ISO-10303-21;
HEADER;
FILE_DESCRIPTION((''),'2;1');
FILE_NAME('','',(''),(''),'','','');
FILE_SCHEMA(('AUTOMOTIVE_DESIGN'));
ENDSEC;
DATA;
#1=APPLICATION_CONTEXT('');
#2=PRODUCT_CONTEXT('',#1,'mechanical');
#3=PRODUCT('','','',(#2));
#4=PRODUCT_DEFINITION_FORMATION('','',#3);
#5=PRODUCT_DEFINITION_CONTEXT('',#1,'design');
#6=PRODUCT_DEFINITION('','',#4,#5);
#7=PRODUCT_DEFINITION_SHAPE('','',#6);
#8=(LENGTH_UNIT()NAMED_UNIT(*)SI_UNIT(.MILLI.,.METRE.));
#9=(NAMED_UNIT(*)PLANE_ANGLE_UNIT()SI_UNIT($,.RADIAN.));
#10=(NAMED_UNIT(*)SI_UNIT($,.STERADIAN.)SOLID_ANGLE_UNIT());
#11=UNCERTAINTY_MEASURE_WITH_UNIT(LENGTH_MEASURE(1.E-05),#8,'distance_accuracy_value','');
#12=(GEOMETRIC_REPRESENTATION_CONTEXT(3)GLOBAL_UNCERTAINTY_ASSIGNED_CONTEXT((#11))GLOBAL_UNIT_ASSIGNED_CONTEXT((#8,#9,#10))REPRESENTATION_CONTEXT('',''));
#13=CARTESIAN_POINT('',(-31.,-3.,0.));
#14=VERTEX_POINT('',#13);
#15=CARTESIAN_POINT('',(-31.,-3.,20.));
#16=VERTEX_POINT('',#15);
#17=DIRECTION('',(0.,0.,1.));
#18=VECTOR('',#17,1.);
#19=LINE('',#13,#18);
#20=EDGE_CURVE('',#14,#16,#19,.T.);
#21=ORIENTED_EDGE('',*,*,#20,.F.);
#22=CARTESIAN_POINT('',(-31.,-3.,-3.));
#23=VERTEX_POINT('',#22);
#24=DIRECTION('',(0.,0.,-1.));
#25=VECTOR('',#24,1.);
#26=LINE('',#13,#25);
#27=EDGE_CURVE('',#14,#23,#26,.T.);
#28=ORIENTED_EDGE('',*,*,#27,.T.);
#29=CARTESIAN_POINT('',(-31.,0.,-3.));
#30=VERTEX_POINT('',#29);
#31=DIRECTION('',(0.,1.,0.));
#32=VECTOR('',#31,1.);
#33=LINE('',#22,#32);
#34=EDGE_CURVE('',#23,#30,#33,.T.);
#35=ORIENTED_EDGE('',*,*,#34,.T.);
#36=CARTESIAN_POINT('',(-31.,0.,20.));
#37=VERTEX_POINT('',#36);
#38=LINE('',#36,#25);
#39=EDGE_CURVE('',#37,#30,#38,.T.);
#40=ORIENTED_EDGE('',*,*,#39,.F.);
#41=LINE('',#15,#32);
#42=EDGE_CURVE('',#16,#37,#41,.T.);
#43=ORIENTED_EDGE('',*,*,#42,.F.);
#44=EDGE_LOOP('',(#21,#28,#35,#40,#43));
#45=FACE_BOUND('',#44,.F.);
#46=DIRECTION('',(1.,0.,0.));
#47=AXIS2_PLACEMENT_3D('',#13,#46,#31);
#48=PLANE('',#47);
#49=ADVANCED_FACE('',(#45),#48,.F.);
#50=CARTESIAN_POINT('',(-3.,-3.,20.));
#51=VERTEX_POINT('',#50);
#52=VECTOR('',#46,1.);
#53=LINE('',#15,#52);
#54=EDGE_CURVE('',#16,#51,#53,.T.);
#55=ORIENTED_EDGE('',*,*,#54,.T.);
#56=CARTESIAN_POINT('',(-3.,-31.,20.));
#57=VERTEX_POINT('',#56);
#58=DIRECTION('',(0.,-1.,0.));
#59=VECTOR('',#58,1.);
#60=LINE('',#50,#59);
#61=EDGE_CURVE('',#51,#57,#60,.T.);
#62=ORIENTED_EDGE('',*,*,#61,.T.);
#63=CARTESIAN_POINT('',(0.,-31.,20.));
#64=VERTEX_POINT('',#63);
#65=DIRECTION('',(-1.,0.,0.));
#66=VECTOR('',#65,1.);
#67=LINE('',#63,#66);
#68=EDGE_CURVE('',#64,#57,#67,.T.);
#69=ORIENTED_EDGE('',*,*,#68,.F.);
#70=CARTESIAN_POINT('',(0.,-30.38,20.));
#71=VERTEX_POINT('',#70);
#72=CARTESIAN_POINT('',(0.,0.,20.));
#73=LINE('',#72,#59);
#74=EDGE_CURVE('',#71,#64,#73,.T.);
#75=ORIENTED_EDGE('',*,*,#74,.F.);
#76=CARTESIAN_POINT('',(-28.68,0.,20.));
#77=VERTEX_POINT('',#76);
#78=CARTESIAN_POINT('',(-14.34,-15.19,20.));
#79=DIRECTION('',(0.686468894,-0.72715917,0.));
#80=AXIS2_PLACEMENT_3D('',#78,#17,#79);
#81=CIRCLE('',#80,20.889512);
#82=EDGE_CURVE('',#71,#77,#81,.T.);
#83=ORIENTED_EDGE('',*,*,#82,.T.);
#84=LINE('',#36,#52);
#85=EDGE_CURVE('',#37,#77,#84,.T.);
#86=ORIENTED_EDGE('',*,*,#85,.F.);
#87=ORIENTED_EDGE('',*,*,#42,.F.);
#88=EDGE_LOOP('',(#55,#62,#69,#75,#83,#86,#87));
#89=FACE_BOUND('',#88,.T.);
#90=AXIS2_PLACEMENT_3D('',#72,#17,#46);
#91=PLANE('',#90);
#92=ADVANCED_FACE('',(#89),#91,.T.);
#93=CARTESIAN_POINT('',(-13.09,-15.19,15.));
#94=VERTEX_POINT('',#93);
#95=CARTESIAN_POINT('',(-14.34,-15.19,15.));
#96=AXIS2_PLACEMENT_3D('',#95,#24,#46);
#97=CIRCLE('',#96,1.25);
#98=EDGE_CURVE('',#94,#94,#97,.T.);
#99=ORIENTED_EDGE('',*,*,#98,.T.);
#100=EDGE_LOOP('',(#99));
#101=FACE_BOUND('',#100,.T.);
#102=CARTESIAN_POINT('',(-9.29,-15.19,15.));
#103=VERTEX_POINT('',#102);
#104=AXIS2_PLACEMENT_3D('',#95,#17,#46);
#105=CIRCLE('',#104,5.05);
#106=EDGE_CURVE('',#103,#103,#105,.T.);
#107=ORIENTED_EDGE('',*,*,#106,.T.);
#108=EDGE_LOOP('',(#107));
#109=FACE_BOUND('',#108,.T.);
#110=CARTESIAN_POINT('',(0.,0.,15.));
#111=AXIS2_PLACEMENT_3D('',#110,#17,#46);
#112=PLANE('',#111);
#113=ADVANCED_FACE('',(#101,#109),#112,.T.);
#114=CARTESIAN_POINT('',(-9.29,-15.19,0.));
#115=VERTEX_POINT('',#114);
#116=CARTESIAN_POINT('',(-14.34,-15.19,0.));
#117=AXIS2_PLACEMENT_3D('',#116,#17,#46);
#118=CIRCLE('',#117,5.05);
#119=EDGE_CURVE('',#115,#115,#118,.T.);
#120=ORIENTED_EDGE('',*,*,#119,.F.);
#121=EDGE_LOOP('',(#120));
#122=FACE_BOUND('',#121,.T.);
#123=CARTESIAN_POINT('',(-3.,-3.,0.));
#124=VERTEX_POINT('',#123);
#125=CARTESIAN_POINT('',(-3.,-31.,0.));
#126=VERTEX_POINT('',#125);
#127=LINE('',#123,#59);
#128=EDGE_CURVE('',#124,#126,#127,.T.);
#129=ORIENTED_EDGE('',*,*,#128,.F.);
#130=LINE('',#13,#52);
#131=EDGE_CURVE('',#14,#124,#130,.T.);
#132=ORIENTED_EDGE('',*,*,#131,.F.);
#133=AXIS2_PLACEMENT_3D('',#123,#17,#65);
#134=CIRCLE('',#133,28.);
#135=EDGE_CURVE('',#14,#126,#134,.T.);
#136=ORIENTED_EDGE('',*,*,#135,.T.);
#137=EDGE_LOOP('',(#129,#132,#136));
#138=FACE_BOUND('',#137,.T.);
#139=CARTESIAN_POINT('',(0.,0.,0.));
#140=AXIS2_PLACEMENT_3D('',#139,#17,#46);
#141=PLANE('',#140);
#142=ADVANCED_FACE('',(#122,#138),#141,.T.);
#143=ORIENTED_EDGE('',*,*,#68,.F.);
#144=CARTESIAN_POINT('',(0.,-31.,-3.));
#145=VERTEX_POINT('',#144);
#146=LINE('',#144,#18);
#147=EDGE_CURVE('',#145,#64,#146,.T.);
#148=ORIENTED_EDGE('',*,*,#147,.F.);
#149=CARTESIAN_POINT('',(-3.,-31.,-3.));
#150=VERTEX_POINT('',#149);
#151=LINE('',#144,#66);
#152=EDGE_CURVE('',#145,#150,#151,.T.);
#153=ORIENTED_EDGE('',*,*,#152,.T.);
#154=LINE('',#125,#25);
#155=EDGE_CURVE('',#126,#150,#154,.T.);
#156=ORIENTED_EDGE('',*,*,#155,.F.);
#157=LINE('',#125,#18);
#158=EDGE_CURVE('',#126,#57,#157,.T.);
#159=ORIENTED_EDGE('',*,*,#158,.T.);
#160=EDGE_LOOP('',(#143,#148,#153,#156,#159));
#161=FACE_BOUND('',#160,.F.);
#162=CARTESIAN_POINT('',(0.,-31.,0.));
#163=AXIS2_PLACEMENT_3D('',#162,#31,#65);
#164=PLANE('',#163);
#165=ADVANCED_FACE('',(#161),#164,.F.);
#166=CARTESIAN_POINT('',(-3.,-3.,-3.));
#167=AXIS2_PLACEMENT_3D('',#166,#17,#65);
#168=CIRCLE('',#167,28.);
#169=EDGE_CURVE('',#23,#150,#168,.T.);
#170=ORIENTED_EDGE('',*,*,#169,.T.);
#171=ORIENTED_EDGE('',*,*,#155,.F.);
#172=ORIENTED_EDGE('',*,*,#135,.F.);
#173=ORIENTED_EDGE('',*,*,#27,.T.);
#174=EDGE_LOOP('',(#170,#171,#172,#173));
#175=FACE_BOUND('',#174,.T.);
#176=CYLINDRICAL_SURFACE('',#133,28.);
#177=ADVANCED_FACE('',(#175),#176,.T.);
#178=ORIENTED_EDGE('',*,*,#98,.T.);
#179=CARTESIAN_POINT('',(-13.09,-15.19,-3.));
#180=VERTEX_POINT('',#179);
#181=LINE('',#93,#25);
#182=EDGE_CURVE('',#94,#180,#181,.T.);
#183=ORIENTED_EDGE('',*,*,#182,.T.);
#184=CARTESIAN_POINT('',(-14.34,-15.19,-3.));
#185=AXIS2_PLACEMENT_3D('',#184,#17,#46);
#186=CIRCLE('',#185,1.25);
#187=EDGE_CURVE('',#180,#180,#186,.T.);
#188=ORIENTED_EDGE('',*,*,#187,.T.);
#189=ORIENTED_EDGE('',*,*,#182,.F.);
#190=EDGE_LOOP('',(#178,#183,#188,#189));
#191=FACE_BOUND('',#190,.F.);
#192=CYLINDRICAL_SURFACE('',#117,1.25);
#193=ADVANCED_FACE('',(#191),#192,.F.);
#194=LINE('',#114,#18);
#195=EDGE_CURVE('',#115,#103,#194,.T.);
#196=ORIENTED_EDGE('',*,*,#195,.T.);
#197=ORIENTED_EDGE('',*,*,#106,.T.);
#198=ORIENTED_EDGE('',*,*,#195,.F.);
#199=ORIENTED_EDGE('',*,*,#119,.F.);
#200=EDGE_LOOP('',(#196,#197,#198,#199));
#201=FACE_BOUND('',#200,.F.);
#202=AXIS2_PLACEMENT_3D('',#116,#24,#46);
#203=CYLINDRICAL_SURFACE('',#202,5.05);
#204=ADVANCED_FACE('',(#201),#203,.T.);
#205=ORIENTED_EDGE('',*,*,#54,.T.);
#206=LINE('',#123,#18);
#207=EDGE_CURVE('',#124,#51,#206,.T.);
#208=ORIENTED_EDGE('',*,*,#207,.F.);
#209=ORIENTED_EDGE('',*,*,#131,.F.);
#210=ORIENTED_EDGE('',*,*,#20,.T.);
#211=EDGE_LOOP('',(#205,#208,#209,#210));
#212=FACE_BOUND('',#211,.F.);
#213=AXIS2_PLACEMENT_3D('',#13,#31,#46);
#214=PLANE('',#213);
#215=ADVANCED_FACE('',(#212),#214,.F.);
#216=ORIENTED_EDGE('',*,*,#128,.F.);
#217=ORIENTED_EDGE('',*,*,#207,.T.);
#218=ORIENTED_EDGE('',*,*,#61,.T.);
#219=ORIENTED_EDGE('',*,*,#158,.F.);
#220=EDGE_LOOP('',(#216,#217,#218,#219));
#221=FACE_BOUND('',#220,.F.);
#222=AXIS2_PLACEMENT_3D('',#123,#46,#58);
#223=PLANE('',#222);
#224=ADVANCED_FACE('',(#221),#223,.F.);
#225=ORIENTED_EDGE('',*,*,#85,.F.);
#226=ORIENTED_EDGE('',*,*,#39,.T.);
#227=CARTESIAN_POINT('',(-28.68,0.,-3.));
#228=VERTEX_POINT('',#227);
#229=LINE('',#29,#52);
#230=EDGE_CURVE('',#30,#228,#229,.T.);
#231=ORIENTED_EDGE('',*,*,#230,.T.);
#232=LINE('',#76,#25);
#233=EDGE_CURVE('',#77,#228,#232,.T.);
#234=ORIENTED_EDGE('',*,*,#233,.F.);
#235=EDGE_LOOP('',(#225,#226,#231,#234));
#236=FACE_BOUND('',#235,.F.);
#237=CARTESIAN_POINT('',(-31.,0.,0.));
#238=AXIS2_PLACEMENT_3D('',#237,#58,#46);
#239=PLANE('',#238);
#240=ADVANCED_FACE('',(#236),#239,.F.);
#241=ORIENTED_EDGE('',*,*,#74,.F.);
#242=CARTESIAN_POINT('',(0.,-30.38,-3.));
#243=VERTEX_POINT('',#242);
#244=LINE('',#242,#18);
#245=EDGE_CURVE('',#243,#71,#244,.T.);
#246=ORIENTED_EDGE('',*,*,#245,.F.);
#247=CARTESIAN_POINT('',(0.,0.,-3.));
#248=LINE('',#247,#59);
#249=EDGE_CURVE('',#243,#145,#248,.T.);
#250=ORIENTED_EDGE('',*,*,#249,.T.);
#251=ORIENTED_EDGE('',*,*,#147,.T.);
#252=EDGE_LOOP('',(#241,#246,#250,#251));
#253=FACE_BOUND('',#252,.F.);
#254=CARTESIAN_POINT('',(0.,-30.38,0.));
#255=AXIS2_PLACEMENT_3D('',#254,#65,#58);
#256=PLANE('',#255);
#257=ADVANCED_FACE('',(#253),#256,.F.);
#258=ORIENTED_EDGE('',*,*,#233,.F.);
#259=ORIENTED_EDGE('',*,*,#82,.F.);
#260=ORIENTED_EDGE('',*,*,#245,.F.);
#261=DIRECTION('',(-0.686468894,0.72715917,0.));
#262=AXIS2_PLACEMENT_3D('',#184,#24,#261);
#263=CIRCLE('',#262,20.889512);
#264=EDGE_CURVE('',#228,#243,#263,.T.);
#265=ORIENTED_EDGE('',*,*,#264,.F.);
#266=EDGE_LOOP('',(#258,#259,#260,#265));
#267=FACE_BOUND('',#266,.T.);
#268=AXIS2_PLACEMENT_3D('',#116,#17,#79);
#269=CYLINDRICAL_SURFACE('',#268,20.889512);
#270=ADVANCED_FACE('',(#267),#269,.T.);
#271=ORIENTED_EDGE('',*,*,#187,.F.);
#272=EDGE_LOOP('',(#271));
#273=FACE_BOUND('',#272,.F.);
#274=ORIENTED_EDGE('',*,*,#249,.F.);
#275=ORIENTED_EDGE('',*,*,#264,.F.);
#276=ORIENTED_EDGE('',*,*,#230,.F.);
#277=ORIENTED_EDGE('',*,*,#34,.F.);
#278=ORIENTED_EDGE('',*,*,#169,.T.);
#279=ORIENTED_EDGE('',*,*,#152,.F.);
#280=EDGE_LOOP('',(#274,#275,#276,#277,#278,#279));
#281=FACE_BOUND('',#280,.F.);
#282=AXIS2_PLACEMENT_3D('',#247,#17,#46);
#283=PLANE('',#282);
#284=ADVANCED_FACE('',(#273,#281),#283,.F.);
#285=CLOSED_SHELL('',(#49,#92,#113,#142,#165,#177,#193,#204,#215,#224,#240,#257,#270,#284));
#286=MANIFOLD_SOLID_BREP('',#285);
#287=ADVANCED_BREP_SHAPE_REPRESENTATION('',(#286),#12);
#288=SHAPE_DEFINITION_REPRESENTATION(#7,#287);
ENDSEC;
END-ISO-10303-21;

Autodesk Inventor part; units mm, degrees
ref_plane "YZ Plane" through (0, 0, 0) normal (1, 0, 0) x (0, 1, 0)
ref_plane "XZ Plane" through (0, 0, 0) normal (0, 1, 0) x (-1, 0, 0)
ref_plane "XY Plane" through (0, 0, 0) normal (0, 0, 1) x (1, 0, 0)
sketch "Sketch1" plane through (0, 0, 0) normal (0, 0, 1) x (1, 0, 0)
  arc A0 (-31, -3) -> (-3, -31) centre (-3, -3) ccw
  line L0 (-31, -3) -> (-31, 0)
  line L1 (-31, 0) -> (0, 0)
  line L2 (0, 0) -> (0, -31)
  line L3 (0, -31) -> (-3, -31)
  line L4 (-31, -3) -> (-3, -3)
  line L5 (-3, -3) -> (-3, -31)
  circle A1 centre (-14.34, -15.19) radius 5.05
  circle A2 centre (-14.34, -15.19) radius 1.25
  arc A3 (0, -30.38) -> (-28.68, 0) centre (-14.34, -15.19) ccw
  dimension "wallThickness" = 3
  dimension "d1" = 3
  dimension "width" = 31
  dimension "d3" = 31
  dimension "diameter" = 10.1
  dimension "d5" = 12.19
  dimension "d6" = 11.34
  dimension "centerHoleDia" = 2.5
  dimension "setScrewRingRad" = 20.8895
extrude "Extrusion1" add sketch "Sketch1" against normal blind 3 contours L4 L5 A0 | L0 L1 L2 L3 L5 L4 | A3 L1 | L2 A3 | A1 | A2
extrude "Extrusion2" add sketch "Sketch1" along normal blind 20 contours L0 L1 L2 L3 L5 L4 | A3 L1 | L2 A3
extrude "Extrusion3" add sketch "Sketch1" along normal blind 15 contours A1 | A2
extrude "Extrusion7" cut sketch "Sketch1" along normal through all both and the other way through all contours A2
equation "\"d1\" = wallThickness"
equation "\"d3\" = width"
equation "\"d7\" = wallThickness"
properties part number "tv-mount"
